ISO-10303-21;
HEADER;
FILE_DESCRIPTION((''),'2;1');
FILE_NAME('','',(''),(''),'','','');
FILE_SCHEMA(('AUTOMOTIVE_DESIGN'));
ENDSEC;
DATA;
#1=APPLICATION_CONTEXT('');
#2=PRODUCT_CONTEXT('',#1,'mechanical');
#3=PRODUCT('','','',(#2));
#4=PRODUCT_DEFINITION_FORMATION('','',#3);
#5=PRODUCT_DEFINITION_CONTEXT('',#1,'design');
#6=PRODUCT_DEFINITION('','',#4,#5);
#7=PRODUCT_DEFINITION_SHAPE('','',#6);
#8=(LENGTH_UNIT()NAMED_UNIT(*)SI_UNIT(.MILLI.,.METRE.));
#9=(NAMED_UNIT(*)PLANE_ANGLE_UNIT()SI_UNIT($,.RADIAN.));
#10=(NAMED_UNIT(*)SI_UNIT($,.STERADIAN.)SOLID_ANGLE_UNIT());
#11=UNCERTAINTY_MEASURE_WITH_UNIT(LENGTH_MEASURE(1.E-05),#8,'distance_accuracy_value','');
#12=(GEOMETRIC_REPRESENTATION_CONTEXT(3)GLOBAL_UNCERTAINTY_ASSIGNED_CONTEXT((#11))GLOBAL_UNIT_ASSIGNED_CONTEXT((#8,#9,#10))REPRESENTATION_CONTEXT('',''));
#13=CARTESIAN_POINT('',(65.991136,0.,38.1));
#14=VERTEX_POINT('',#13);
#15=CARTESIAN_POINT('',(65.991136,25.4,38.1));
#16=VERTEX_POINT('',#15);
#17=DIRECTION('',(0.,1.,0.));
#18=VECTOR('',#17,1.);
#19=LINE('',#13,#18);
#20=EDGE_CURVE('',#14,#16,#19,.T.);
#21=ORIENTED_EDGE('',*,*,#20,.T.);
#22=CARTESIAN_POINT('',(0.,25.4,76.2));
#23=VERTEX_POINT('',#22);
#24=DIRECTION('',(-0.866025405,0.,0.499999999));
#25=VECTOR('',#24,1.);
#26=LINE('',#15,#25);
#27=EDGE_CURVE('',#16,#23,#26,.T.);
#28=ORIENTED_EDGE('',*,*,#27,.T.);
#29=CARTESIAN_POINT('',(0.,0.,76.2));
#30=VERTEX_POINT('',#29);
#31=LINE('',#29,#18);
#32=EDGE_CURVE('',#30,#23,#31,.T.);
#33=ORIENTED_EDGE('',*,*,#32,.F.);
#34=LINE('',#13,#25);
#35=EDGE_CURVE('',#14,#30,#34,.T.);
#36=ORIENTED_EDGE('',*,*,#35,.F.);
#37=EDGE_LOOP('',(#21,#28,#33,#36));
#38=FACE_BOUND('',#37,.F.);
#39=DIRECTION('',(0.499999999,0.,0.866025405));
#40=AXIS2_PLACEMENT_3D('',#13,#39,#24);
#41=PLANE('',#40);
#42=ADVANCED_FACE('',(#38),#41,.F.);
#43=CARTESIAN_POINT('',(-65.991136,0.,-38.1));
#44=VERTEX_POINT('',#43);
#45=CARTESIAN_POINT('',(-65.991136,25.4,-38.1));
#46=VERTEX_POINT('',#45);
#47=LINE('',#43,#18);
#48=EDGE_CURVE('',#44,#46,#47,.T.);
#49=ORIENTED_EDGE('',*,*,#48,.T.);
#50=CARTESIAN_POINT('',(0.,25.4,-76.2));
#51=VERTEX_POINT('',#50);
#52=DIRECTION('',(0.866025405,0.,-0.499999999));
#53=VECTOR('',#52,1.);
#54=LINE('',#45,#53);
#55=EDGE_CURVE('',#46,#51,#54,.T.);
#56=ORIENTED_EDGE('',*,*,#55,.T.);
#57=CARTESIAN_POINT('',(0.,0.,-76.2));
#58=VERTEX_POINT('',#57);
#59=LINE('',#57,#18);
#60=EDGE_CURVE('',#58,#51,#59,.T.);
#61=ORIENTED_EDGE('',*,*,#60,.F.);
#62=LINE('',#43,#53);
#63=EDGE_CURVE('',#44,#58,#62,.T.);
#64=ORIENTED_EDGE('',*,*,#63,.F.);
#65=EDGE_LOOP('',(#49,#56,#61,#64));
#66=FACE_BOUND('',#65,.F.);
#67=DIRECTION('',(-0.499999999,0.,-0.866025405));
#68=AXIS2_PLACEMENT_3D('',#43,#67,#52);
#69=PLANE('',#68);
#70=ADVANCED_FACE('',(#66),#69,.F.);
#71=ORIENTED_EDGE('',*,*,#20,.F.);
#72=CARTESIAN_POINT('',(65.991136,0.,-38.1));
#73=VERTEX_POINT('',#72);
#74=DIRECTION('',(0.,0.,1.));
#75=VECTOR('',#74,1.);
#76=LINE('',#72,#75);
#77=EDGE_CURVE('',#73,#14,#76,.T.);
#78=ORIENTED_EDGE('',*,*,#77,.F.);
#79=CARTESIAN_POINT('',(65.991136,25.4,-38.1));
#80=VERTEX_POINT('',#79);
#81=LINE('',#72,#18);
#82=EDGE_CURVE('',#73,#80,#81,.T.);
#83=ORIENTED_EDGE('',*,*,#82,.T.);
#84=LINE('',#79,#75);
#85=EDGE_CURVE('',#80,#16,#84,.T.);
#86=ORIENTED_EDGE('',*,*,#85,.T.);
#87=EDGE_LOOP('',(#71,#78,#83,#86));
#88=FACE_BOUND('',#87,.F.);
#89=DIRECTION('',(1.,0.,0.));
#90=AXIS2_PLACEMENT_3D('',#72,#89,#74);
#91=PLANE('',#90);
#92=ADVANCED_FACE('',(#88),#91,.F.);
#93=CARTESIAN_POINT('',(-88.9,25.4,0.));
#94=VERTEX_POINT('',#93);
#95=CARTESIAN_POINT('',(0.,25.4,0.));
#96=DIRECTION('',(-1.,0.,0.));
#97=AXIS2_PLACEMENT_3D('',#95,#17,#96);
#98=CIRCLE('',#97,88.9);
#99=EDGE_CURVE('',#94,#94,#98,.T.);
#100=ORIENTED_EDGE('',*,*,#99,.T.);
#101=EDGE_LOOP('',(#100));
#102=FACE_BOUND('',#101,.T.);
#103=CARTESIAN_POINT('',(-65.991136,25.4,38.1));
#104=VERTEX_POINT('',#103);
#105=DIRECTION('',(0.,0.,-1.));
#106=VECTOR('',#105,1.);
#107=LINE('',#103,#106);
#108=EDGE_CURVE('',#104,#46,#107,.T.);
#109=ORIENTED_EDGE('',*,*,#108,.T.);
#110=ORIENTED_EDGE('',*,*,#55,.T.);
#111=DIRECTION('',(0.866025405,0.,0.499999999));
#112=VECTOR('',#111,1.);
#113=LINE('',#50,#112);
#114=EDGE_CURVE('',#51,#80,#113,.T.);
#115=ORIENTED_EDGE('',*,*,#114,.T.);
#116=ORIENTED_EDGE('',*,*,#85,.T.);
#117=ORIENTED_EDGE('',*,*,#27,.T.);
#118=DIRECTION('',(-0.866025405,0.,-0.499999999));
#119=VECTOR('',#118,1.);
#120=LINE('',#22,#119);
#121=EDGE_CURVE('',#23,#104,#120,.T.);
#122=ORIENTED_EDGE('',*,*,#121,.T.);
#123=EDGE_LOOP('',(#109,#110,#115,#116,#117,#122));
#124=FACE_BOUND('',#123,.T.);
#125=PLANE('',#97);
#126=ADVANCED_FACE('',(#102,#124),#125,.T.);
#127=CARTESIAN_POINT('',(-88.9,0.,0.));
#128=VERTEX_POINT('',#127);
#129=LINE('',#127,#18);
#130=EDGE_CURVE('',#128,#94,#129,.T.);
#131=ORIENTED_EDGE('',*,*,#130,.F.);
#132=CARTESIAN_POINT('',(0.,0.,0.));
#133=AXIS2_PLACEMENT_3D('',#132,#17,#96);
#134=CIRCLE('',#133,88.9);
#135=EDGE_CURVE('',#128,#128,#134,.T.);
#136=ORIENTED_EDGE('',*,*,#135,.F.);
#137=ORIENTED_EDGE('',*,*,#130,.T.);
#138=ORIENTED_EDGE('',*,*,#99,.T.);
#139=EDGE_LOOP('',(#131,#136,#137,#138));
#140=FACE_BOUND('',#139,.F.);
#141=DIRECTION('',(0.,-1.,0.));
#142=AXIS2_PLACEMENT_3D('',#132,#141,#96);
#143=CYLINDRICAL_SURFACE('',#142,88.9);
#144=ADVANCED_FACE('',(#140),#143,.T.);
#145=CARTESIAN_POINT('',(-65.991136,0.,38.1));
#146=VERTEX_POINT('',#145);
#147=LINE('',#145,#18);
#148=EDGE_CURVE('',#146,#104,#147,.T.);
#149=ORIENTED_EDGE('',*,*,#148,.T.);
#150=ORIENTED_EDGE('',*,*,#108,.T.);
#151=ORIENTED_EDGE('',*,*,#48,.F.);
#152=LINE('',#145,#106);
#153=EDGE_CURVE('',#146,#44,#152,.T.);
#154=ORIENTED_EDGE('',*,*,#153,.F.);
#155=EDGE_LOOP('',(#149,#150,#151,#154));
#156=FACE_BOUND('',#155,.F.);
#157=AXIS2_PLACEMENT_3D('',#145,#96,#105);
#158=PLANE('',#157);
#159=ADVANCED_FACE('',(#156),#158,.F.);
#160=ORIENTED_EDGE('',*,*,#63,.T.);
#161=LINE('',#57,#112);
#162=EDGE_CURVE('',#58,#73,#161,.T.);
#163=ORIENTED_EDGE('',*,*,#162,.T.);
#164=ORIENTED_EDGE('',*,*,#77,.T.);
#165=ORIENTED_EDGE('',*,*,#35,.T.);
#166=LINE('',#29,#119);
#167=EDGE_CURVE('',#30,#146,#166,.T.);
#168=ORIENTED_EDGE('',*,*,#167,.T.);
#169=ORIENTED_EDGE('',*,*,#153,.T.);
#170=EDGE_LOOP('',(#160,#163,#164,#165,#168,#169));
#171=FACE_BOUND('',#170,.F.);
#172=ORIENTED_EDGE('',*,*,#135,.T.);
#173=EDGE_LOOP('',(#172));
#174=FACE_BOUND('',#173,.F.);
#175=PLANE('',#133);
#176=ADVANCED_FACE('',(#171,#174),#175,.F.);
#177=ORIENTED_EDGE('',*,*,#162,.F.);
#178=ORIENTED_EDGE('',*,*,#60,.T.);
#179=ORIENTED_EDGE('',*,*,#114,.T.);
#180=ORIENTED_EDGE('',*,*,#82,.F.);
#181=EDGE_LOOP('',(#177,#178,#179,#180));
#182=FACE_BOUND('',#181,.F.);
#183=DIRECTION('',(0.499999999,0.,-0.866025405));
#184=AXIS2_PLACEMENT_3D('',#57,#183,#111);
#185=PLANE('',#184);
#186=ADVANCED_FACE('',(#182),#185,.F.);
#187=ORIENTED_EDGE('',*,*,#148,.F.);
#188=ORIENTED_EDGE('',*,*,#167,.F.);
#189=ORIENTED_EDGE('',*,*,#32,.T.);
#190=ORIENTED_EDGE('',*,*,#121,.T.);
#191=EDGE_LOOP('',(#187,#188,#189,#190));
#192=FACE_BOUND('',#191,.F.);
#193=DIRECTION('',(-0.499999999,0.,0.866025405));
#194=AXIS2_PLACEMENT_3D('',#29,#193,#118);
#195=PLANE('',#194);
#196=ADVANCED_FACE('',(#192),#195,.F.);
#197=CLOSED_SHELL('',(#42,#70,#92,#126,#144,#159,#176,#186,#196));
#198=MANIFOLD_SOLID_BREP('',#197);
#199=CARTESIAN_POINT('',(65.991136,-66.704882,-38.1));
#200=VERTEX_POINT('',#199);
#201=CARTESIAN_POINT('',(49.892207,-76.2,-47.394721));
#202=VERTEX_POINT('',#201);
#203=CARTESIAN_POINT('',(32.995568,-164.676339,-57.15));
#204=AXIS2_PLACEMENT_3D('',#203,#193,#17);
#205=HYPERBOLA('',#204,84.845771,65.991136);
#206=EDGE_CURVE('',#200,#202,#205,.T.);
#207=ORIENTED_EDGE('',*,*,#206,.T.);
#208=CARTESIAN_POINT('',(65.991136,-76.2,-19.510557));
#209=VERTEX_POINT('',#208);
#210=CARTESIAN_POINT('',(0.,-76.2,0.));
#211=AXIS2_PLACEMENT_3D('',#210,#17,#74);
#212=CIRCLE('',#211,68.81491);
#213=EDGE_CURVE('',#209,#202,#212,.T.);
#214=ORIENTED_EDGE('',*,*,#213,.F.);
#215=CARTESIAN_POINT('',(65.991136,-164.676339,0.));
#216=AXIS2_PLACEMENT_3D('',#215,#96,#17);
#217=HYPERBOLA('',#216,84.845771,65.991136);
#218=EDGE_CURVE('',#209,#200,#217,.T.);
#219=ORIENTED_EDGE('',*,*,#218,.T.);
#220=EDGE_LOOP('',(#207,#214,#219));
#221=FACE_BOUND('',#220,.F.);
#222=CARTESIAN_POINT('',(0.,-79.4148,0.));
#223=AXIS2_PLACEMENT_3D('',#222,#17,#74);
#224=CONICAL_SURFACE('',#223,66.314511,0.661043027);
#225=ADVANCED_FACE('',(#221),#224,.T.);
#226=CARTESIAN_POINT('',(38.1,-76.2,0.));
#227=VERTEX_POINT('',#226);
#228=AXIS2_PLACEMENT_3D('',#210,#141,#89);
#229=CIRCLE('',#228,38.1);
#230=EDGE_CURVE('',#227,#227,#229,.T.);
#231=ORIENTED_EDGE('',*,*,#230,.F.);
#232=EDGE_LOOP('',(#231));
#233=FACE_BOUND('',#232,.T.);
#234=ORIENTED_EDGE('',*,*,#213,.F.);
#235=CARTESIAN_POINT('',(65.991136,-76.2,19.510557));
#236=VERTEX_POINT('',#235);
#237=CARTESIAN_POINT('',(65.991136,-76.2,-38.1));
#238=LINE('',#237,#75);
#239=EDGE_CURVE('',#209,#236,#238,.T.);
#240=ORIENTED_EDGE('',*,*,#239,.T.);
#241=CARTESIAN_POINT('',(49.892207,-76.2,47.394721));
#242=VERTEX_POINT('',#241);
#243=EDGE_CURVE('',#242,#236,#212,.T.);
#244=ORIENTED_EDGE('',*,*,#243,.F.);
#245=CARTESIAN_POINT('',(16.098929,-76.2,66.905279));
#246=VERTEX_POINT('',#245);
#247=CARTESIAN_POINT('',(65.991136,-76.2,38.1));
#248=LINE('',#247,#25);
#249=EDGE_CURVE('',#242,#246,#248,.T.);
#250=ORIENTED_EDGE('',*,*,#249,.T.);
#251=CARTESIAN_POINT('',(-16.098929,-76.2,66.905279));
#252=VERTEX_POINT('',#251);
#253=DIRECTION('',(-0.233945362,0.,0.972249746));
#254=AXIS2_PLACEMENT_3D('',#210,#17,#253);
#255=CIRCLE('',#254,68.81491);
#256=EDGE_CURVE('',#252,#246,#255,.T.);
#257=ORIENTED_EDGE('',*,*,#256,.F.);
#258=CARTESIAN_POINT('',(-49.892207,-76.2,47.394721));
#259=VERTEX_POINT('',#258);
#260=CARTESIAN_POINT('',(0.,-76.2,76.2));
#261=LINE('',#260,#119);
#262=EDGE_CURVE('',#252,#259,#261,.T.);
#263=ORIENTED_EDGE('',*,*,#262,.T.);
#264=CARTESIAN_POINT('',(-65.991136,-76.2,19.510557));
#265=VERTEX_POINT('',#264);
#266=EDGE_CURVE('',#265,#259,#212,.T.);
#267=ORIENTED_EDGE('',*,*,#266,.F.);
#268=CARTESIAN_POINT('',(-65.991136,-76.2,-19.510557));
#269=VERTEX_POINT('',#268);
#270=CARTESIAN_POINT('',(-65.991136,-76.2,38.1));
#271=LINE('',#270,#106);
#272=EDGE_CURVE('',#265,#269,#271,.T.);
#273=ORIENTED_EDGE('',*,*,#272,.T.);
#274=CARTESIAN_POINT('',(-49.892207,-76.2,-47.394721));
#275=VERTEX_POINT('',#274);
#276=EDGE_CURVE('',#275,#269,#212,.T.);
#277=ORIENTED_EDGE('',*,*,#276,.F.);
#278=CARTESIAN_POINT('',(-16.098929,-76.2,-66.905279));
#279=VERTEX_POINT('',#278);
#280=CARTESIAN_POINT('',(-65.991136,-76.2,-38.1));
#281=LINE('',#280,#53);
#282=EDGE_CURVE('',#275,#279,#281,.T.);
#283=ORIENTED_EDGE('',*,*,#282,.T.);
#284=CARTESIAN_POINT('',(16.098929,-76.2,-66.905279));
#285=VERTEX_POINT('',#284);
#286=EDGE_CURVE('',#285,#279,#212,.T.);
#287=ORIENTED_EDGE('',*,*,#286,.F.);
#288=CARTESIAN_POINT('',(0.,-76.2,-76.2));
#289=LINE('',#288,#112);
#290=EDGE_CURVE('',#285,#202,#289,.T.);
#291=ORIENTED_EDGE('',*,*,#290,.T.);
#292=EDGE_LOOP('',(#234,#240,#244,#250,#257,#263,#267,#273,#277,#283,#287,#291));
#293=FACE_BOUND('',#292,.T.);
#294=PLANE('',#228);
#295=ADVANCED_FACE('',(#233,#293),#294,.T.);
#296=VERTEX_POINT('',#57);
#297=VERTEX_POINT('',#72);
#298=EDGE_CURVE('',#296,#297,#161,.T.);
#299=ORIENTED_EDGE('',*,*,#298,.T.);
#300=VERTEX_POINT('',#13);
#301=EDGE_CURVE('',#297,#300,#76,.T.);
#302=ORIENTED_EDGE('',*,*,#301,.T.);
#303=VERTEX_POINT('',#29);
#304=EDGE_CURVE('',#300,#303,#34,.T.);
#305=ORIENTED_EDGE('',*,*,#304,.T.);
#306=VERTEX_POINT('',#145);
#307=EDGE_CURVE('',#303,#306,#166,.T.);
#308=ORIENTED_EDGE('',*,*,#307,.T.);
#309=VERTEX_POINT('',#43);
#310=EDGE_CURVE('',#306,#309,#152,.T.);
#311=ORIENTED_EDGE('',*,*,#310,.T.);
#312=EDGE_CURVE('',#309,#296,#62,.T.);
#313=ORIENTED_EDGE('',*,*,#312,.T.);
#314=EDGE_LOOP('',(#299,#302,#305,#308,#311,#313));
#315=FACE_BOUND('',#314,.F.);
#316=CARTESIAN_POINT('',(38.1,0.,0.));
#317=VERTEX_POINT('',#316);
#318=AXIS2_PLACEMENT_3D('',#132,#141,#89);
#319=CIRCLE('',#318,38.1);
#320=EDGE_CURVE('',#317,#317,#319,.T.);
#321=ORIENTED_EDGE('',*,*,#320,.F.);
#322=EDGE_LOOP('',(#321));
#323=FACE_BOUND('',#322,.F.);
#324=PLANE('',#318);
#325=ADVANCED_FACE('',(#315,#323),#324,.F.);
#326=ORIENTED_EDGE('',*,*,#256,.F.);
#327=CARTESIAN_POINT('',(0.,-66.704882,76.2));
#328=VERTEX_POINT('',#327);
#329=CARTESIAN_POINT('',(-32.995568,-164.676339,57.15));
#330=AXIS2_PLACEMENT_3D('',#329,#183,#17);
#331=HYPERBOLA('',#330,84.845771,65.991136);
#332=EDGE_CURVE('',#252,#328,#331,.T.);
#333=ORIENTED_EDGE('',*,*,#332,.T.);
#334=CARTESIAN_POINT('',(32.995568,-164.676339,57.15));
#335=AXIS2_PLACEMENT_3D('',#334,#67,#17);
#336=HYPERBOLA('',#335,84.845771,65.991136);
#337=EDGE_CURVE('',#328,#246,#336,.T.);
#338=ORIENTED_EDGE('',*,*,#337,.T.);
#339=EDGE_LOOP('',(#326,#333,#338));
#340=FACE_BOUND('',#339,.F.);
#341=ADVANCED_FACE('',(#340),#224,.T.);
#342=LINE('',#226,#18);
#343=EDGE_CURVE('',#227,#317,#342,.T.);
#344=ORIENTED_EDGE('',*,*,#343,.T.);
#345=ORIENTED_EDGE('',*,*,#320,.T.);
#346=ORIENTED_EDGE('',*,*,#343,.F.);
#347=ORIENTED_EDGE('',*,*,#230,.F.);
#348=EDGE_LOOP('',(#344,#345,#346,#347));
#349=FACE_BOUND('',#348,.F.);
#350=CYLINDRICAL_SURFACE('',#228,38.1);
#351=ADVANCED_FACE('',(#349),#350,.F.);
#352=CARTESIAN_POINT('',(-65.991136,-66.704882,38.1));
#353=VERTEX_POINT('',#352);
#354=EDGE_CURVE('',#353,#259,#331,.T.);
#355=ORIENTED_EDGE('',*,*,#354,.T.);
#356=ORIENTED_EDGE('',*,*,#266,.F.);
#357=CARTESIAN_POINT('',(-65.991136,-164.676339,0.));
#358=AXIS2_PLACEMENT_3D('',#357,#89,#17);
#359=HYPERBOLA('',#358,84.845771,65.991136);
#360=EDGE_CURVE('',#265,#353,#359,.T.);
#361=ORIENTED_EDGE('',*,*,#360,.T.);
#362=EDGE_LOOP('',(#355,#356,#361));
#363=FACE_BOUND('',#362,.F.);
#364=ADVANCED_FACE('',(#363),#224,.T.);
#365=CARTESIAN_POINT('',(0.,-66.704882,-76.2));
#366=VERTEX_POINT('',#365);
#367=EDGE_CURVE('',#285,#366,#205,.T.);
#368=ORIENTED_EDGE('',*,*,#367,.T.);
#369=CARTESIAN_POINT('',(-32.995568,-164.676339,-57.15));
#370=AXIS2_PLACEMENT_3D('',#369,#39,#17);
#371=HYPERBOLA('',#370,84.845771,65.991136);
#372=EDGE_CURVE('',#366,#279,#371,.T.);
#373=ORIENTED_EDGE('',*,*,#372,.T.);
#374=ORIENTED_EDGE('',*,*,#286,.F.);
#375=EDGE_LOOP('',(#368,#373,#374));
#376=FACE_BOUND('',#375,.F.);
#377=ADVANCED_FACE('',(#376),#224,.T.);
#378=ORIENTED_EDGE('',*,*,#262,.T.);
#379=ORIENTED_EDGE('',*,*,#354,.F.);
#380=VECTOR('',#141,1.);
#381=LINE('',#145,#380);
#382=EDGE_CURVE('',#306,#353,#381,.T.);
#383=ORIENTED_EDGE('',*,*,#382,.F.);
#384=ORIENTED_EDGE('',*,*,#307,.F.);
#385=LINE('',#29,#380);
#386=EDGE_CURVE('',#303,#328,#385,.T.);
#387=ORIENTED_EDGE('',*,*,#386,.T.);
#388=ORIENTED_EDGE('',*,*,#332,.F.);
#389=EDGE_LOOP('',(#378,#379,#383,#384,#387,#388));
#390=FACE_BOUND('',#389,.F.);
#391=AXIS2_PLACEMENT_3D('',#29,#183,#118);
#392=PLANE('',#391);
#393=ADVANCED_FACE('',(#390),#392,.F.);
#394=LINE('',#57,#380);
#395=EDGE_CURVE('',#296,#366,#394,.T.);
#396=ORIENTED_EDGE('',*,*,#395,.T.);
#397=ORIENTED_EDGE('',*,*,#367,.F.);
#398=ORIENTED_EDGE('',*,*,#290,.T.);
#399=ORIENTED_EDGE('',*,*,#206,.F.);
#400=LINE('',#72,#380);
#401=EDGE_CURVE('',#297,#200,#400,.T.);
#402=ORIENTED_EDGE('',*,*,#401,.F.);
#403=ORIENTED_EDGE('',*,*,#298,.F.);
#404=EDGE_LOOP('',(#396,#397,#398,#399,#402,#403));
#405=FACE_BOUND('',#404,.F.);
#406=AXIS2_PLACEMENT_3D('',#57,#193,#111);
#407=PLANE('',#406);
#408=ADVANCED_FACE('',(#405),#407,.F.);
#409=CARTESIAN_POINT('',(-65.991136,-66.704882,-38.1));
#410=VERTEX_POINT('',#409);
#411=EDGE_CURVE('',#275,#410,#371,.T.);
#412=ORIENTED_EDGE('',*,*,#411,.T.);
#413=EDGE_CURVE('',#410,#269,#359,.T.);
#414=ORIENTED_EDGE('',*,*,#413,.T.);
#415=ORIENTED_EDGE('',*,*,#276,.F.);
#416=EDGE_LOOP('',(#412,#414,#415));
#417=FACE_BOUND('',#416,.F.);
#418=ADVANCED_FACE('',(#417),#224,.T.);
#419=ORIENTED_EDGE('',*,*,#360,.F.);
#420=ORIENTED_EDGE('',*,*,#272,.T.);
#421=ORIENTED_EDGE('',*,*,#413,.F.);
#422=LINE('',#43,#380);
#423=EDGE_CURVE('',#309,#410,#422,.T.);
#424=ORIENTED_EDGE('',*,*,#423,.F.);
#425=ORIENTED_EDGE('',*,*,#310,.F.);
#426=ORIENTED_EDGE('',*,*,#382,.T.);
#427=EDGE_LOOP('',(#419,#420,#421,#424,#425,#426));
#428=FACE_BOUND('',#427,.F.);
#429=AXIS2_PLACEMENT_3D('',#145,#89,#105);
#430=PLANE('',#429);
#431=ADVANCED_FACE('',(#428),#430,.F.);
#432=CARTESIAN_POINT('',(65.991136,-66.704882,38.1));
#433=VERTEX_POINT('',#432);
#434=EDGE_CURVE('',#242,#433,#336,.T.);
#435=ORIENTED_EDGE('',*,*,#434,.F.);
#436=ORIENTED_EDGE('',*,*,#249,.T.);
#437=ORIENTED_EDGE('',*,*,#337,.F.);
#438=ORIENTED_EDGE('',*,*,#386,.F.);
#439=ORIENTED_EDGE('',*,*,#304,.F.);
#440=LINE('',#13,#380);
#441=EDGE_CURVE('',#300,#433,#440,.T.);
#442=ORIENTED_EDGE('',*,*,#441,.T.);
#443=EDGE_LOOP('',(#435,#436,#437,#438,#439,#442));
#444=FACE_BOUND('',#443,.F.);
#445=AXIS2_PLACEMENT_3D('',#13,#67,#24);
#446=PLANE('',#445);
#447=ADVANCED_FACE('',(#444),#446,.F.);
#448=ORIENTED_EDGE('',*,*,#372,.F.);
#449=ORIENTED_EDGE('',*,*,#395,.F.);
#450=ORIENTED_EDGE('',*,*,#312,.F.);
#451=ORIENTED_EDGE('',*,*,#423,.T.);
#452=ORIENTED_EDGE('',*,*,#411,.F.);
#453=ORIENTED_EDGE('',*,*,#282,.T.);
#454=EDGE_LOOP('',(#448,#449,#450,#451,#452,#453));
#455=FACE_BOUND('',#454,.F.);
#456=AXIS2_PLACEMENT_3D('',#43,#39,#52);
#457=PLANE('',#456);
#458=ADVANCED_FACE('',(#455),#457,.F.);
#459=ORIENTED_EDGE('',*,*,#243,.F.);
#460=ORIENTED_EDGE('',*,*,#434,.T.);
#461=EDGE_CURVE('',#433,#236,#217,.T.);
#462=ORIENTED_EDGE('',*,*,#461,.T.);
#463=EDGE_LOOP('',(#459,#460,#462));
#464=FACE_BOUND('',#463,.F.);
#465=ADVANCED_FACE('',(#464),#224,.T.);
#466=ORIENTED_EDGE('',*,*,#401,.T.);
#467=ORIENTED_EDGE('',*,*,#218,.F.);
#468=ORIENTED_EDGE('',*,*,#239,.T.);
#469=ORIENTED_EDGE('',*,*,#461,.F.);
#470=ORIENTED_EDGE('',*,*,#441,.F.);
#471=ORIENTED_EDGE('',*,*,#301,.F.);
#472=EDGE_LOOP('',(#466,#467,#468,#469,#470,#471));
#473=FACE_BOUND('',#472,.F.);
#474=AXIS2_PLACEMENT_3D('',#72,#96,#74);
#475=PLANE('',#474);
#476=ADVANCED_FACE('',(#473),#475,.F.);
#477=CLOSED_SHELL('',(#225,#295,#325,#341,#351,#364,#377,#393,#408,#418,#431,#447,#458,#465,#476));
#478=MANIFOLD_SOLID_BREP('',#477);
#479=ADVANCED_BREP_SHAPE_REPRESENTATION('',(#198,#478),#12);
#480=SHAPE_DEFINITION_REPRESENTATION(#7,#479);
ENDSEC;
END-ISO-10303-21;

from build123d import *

# Parameters (mm, degrees)
F1_DEPTH = 76.2
F2_R     = 88.9
F3_DEPTH = 25.4
F4_R     = 38.1
F5_DEPTH = 101.601


with BuildPart() as f1:
    # F0 (on Front) → F1 (new body)
    with BuildSketch(Plane.XZ):
        Polygon((65.991136, 38.1), (0, 76.2), (-65.991136, 38.1), (-65.991136, -38.1), (0, -76.2), (65.991136, -38.1), align=None)
    extrude(amount=F1_DEPTH)

    # F4 (on face) → F5 (cut, through all)
    with BuildSketch(Plane.XZ.offset(76.2)):
        Circle(F4_R)
    extrude(amount=-F5_DEPTH, mode=Mode.SUBTRACT)

    # F6 (on Right) → F7 (revolve, cut)
    with BuildSketch(Plane.YZ):
        Polygon((-79.554103, 79.966761), (-79.4148, 66.314511), (-61.861902, 79.966761), align=None)
    revolve(axis=Axis((0, -76.2, 0), (0, -1, 0)), mode=Mode.SUBTRACT)


with BuildPart() as f3:
    # F2 (on face) → F3 (new body)
    with BuildSketch(Plane(origin=(0, 0, 0), x_dir=(-1, 0, 0), z_dir=(0, 1, 0))):
        Circle(F2_R)
        Polygon((-65.991136, 38.1), (0, 76.2), (65.991136, 38.1), (65.991136, -38.1), (0, -76.2), (-65.991136, -38.1), align=None, mode=Mode.SUBTRACT)
    extrude(amount=F3_DEPTH)


solid = Compound([f1.part, f3.part])
